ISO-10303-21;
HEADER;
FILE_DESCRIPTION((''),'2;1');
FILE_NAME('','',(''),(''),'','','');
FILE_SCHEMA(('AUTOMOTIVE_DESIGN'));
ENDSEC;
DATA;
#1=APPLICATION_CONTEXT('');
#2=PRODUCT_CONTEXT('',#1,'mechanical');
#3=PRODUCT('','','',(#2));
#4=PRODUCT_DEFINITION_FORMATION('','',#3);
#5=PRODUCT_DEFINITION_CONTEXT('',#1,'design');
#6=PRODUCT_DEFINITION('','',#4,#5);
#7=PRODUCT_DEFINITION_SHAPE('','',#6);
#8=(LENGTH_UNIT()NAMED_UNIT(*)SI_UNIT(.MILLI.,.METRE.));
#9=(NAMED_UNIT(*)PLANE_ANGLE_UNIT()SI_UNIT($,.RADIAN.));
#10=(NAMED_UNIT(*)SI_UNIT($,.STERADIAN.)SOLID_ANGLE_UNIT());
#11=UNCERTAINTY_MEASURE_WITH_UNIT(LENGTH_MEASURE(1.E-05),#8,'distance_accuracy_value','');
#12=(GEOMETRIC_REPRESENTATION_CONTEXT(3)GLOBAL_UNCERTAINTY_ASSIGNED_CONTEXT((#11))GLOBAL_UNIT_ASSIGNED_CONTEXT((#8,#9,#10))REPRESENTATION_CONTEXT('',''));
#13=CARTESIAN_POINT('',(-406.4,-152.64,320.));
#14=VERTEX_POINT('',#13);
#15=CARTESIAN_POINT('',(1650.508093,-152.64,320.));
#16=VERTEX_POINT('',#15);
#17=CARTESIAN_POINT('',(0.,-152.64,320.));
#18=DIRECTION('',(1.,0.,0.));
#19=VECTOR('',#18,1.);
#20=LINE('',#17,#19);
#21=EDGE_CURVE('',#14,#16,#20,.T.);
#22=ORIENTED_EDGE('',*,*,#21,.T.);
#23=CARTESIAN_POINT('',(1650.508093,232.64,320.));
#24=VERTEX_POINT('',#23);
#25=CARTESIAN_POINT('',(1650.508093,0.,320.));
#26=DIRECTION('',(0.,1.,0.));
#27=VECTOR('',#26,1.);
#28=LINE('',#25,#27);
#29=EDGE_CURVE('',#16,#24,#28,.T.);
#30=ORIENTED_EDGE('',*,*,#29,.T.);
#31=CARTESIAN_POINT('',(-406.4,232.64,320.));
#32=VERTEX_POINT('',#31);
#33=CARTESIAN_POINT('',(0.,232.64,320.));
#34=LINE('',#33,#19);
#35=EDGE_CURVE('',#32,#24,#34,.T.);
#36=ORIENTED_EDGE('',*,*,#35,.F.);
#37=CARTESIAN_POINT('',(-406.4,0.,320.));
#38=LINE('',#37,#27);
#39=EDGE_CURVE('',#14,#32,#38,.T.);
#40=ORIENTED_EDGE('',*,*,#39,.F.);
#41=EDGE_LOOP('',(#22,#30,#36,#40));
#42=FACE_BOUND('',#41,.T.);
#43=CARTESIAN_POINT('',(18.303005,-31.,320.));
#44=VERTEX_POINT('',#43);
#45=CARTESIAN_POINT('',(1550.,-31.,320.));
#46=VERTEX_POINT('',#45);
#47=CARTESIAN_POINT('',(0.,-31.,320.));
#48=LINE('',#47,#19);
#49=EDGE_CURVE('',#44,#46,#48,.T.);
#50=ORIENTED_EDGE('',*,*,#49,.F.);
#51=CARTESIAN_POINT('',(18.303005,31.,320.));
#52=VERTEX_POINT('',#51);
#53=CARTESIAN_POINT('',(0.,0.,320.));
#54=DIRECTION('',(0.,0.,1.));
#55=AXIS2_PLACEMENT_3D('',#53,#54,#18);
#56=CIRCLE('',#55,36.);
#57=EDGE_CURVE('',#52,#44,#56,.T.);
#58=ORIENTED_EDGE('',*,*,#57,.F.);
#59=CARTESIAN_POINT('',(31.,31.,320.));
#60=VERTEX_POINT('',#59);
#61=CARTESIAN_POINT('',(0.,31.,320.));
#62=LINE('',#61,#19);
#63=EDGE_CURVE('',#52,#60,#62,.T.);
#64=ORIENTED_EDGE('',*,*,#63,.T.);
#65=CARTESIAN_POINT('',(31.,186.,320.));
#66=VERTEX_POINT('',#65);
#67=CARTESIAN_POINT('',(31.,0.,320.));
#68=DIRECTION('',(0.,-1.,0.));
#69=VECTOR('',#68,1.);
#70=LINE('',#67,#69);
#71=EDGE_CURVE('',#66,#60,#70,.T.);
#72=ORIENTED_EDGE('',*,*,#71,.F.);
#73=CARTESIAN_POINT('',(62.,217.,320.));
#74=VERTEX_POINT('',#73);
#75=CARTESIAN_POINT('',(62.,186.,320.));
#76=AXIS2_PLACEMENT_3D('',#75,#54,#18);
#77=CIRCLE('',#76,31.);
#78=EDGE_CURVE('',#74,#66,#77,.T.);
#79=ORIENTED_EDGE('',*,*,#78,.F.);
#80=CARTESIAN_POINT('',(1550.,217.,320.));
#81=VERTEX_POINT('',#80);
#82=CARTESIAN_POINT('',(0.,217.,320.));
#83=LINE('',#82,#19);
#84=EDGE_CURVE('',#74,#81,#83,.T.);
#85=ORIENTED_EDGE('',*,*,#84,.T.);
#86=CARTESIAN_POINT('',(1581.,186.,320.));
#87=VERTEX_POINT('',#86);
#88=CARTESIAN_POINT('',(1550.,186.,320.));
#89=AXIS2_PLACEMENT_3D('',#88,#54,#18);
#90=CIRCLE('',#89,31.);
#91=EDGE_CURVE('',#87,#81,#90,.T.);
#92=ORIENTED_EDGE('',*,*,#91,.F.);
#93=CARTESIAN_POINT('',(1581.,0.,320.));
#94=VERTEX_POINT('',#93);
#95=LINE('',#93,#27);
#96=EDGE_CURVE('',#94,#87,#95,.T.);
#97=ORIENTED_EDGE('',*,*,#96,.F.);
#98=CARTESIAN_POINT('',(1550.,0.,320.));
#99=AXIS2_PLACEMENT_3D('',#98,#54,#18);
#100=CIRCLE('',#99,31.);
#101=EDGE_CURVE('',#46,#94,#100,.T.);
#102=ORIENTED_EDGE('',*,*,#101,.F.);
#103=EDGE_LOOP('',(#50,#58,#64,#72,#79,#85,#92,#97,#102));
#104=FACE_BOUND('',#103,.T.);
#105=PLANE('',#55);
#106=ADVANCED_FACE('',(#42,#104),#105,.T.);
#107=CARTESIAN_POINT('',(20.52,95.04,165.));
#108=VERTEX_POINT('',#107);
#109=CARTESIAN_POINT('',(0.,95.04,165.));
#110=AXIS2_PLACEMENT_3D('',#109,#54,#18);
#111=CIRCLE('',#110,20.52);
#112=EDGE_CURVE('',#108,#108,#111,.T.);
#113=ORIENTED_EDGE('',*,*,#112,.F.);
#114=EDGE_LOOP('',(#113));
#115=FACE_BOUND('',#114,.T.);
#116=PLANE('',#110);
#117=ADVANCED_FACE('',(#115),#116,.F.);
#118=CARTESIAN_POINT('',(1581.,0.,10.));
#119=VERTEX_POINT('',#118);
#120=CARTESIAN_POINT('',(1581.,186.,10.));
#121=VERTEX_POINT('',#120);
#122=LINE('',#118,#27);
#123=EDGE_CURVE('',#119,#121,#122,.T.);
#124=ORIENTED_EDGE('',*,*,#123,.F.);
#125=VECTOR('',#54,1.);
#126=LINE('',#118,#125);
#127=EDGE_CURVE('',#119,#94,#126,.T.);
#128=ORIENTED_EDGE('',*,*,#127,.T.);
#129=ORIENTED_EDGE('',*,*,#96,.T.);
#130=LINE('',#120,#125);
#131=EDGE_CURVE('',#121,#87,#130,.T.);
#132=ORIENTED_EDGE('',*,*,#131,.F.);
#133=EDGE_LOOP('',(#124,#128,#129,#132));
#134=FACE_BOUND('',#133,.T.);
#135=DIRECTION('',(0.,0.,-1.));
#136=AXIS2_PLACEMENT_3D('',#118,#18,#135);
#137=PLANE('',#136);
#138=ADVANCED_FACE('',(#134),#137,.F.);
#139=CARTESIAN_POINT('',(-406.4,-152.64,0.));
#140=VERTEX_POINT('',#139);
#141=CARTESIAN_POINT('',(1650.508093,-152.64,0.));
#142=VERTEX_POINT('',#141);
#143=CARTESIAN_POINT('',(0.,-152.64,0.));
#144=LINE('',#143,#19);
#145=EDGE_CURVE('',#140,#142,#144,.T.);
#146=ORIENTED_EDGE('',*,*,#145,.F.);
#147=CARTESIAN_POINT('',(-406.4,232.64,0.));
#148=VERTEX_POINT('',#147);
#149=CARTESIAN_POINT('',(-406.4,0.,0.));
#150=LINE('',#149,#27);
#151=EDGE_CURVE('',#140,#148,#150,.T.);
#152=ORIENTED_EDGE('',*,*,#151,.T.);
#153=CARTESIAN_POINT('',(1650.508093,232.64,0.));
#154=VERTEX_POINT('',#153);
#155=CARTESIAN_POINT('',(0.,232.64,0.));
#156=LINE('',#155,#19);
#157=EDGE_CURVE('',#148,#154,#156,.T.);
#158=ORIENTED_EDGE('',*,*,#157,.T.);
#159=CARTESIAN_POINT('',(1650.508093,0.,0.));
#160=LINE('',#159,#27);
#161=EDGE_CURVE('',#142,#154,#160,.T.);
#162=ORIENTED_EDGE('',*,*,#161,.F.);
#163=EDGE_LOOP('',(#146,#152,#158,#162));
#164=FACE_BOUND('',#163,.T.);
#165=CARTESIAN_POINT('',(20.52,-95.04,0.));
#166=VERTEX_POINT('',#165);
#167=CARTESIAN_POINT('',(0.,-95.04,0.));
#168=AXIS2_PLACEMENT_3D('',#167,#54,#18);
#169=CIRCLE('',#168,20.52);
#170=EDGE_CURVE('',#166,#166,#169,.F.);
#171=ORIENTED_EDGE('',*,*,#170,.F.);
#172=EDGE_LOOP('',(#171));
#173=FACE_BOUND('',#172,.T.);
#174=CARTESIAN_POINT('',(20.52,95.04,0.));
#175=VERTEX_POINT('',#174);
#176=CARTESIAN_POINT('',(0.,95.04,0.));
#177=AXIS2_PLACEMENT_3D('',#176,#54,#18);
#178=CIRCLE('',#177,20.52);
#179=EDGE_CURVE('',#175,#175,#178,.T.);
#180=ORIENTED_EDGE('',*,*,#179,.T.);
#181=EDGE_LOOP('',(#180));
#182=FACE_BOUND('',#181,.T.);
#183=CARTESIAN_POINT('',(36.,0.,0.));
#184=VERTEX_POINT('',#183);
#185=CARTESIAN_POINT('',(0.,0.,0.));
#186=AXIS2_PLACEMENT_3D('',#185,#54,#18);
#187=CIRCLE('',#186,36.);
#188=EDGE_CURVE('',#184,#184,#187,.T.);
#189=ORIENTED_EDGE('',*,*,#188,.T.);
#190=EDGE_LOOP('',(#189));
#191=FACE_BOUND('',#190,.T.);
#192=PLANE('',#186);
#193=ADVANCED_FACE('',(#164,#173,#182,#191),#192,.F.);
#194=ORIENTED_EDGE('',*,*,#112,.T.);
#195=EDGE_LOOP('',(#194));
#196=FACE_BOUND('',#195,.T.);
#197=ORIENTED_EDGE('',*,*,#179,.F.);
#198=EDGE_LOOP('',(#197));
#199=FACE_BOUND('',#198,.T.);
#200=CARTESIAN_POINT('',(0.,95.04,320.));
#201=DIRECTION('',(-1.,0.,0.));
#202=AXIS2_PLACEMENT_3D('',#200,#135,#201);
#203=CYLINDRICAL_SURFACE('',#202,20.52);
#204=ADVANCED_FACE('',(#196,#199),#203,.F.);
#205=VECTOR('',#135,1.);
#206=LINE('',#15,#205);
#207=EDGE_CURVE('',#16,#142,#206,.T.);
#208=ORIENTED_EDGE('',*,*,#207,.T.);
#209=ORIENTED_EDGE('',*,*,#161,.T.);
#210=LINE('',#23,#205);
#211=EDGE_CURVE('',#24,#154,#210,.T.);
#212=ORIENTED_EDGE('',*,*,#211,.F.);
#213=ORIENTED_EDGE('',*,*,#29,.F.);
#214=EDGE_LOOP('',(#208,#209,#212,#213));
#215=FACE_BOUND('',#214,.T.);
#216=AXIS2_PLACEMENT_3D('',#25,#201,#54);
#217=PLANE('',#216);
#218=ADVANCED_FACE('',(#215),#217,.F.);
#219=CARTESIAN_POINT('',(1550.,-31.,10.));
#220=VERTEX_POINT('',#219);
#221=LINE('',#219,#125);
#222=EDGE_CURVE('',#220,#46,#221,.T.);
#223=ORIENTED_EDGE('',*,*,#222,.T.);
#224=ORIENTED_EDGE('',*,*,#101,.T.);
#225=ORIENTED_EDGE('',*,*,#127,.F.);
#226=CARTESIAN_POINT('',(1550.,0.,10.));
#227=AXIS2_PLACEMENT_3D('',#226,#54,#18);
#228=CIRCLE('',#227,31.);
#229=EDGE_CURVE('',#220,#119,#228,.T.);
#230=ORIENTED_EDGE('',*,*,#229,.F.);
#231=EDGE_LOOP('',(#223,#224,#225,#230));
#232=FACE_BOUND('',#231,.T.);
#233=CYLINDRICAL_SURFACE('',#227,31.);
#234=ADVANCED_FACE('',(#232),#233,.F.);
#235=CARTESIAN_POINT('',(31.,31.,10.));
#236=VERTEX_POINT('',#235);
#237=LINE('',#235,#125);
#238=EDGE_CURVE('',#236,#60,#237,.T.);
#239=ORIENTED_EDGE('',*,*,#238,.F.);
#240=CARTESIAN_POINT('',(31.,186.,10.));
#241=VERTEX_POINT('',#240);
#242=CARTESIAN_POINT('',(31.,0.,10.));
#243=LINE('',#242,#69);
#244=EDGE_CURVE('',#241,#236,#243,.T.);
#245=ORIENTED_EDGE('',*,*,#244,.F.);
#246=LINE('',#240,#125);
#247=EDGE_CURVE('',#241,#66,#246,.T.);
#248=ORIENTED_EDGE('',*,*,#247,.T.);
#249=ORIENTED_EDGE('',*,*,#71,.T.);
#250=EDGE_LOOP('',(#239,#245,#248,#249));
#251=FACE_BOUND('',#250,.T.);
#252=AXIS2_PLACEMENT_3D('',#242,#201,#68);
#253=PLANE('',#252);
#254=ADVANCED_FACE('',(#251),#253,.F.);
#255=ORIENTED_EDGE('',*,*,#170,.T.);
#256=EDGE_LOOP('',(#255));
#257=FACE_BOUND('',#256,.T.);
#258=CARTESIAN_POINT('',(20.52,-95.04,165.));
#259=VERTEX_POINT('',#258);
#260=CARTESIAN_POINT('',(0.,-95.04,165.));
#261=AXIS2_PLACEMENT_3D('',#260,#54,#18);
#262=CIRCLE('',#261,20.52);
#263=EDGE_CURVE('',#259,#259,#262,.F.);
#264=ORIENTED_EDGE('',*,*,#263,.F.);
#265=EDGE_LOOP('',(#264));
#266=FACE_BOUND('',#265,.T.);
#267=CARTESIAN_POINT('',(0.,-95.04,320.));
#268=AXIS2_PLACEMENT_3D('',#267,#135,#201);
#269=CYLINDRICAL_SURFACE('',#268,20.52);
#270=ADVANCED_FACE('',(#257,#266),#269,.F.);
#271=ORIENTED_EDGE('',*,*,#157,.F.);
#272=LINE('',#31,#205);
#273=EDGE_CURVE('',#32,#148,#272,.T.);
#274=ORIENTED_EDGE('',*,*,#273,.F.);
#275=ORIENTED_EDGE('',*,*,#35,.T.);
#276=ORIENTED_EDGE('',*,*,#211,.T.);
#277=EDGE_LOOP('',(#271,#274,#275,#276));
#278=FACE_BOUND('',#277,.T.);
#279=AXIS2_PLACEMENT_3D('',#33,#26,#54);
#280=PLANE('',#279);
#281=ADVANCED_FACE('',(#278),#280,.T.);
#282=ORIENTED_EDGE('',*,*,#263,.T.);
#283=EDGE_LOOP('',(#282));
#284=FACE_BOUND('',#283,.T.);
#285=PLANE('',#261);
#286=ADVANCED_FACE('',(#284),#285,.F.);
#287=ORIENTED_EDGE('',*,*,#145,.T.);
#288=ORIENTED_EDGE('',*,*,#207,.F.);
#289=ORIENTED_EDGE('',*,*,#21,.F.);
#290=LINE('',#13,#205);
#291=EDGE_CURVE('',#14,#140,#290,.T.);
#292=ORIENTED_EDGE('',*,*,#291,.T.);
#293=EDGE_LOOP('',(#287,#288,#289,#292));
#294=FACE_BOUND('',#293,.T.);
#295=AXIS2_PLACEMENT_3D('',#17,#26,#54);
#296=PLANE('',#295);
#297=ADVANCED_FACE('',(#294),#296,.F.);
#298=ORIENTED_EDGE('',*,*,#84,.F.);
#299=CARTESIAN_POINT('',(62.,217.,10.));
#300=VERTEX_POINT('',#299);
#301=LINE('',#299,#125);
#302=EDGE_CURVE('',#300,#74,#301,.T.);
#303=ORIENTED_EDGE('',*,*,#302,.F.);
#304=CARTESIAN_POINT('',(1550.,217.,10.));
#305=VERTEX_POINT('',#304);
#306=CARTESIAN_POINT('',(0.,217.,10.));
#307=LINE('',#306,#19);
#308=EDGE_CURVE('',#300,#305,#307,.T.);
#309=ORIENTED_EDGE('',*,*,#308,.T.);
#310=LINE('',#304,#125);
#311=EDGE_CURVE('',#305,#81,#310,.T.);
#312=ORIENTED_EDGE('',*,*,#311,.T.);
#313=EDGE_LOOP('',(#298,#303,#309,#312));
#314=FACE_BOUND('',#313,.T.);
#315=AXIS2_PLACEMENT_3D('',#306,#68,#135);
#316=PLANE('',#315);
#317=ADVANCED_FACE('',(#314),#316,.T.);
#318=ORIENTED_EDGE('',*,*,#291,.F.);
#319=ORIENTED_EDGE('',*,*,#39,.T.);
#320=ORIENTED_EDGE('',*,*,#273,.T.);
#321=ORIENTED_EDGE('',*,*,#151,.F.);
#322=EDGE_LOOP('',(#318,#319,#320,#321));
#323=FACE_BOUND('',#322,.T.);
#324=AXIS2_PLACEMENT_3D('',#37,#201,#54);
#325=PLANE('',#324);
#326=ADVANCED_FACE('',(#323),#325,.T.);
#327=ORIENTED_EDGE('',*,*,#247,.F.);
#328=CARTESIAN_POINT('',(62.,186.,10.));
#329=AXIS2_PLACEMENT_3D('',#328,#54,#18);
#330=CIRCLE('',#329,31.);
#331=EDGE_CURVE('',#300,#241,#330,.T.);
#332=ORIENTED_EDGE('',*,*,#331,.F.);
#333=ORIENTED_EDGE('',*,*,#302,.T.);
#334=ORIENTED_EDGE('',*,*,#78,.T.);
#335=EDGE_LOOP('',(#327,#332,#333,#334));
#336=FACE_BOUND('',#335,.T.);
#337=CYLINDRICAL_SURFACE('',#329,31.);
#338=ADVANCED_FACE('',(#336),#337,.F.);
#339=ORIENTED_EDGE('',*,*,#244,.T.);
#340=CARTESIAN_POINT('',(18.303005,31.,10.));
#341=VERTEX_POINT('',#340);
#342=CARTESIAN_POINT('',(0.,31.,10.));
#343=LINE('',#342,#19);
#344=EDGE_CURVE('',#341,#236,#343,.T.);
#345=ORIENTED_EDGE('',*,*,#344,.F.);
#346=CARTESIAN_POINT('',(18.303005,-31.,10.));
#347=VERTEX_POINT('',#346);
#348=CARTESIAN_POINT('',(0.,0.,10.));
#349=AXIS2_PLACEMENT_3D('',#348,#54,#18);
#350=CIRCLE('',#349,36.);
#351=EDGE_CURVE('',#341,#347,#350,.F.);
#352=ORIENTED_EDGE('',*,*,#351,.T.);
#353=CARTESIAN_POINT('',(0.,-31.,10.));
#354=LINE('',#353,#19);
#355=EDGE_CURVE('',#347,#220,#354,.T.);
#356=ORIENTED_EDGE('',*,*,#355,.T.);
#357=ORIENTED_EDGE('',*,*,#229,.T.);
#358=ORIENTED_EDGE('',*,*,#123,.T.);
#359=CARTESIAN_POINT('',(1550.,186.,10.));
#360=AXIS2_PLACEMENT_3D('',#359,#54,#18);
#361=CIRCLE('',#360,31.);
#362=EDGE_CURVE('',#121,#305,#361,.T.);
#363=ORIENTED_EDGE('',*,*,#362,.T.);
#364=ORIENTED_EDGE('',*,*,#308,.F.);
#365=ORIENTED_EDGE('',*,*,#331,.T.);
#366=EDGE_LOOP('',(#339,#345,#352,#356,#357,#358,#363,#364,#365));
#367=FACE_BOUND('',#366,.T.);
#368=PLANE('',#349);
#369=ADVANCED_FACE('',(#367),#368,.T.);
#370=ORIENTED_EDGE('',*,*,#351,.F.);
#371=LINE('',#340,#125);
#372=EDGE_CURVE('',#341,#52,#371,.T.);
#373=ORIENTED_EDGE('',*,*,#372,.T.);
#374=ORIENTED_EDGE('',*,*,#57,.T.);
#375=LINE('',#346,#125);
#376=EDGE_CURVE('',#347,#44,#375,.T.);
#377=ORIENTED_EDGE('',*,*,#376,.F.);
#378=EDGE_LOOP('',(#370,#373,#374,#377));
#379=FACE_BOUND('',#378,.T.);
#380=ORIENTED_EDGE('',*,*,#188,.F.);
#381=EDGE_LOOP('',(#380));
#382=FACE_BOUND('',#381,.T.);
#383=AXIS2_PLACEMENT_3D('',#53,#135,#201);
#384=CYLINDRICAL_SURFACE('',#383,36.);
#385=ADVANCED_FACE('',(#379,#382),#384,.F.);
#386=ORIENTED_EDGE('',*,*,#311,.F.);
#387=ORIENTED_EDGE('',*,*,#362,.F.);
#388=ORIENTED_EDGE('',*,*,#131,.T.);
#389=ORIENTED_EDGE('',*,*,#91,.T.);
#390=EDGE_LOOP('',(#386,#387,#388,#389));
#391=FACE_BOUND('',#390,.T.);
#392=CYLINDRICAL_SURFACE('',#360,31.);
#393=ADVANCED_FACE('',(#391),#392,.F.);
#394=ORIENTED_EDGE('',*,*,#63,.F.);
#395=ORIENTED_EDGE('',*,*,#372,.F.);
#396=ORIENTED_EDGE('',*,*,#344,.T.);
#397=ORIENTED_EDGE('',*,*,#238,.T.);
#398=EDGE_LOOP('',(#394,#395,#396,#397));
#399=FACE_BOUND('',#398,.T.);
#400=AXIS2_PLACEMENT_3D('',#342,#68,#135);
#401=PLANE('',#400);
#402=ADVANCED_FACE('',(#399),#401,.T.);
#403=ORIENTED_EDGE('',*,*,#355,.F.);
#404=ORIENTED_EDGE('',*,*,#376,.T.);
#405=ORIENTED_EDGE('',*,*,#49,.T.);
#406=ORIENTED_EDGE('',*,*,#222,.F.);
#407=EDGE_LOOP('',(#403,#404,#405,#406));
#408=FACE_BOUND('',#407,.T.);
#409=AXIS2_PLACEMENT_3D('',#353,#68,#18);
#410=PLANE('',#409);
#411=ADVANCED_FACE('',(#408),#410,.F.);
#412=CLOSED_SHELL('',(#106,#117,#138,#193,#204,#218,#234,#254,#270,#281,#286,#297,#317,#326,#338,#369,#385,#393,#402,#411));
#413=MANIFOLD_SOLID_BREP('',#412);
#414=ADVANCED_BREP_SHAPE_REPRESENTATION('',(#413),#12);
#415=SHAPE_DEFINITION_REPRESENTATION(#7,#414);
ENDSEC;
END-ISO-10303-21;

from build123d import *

# Parameters (mm, degrees)
SKETCH1_R           = 36
SKETCH1_R_2         = 20.52
BOSS_EXTRUDE1_DEPTH = 320
CUT_EXTRUDE1_START  = -310
CUT_EXTRUDE1_DEPTH  = 310
BOSS_EXTRUDE2_START = -155
SKETCH3_R           = 20.52
BOSS_EXTRUDE2_DEPTH = 155


with BuildPart() as part:
    # Sketch1 → Boss-Extrude1 (new body)
    with BuildSketch(Plane.XY):
        Polygon((-406.4, -152.64), (406.4, -152.64), (1650.508092605, -152.64), (1650.508092605, 232.64), (-406.4, 232.64), (-406.4, 152.64), align=None)
        Circle(SKETCH1_R, mode=Mode.SUBTRACT)
        with Locations((0, 95.04)):
            Circle(SKETCH1_R_2, mode=Mode.SUBTRACT)
        with Locations((0, -95.04)):
            Circle(SKETCH1_R_2, mode=Mode.SUBTRACT)
    extrude(amount=BOSS_EXTRUDE1_DEPTH)

    # Sketch2 → Cut-Extrude1 (cut)
    with BuildSketch(Plane.XY.offset(320).offset(CUT_EXTRUDE1_START)):
        with BuildLine():
            ThreePointArc((1550, -31), (1571.920310217, -21.920310217), (1581, 0))
            Line((1581, 0), (1581, 186))
            ThreePointArc((1581, 186), (1571.920310217, 207.920310217), (1550, 217))
            Line((1550, 217), (62, 217))
            ThreePointArc((62, 217), (40.079689783, 207.920310217), (31, 186))
            Line((31, 186), (31, 53.469630572))
            Line((31, 53.469630572), (31, 31))
            Line((31, 31), (18.303005218, 31))
            ThreePointArc((18.303005218, 31), (31.264262248, 17.847854383), (36, 0))
            ThreePointArc((36, 0), (31.264262248, -17.847854383), (18.303005218, -31))
            Line((18.303005218, -31), (1550, -31))
        make_face()
    extrude(amount=CUT_EXTRUDE1_DEPTH, mode=Mode.SUBTRACT)

    # Sketch3 → Boss-Extrude2 (add)
    with BuildSketch(Plane.XY.offset(320).offset(BOSS_EXTRUDE2_START)):
        with Locations((0, 95.04)):
            Circle(SKETCH3_R)
        with Locations((0, -95.04)):
            Circle(SKETCH3_R)
    extrude(amount=BOSS_EXTRUDE2_DEPTH)


solid = part.part
